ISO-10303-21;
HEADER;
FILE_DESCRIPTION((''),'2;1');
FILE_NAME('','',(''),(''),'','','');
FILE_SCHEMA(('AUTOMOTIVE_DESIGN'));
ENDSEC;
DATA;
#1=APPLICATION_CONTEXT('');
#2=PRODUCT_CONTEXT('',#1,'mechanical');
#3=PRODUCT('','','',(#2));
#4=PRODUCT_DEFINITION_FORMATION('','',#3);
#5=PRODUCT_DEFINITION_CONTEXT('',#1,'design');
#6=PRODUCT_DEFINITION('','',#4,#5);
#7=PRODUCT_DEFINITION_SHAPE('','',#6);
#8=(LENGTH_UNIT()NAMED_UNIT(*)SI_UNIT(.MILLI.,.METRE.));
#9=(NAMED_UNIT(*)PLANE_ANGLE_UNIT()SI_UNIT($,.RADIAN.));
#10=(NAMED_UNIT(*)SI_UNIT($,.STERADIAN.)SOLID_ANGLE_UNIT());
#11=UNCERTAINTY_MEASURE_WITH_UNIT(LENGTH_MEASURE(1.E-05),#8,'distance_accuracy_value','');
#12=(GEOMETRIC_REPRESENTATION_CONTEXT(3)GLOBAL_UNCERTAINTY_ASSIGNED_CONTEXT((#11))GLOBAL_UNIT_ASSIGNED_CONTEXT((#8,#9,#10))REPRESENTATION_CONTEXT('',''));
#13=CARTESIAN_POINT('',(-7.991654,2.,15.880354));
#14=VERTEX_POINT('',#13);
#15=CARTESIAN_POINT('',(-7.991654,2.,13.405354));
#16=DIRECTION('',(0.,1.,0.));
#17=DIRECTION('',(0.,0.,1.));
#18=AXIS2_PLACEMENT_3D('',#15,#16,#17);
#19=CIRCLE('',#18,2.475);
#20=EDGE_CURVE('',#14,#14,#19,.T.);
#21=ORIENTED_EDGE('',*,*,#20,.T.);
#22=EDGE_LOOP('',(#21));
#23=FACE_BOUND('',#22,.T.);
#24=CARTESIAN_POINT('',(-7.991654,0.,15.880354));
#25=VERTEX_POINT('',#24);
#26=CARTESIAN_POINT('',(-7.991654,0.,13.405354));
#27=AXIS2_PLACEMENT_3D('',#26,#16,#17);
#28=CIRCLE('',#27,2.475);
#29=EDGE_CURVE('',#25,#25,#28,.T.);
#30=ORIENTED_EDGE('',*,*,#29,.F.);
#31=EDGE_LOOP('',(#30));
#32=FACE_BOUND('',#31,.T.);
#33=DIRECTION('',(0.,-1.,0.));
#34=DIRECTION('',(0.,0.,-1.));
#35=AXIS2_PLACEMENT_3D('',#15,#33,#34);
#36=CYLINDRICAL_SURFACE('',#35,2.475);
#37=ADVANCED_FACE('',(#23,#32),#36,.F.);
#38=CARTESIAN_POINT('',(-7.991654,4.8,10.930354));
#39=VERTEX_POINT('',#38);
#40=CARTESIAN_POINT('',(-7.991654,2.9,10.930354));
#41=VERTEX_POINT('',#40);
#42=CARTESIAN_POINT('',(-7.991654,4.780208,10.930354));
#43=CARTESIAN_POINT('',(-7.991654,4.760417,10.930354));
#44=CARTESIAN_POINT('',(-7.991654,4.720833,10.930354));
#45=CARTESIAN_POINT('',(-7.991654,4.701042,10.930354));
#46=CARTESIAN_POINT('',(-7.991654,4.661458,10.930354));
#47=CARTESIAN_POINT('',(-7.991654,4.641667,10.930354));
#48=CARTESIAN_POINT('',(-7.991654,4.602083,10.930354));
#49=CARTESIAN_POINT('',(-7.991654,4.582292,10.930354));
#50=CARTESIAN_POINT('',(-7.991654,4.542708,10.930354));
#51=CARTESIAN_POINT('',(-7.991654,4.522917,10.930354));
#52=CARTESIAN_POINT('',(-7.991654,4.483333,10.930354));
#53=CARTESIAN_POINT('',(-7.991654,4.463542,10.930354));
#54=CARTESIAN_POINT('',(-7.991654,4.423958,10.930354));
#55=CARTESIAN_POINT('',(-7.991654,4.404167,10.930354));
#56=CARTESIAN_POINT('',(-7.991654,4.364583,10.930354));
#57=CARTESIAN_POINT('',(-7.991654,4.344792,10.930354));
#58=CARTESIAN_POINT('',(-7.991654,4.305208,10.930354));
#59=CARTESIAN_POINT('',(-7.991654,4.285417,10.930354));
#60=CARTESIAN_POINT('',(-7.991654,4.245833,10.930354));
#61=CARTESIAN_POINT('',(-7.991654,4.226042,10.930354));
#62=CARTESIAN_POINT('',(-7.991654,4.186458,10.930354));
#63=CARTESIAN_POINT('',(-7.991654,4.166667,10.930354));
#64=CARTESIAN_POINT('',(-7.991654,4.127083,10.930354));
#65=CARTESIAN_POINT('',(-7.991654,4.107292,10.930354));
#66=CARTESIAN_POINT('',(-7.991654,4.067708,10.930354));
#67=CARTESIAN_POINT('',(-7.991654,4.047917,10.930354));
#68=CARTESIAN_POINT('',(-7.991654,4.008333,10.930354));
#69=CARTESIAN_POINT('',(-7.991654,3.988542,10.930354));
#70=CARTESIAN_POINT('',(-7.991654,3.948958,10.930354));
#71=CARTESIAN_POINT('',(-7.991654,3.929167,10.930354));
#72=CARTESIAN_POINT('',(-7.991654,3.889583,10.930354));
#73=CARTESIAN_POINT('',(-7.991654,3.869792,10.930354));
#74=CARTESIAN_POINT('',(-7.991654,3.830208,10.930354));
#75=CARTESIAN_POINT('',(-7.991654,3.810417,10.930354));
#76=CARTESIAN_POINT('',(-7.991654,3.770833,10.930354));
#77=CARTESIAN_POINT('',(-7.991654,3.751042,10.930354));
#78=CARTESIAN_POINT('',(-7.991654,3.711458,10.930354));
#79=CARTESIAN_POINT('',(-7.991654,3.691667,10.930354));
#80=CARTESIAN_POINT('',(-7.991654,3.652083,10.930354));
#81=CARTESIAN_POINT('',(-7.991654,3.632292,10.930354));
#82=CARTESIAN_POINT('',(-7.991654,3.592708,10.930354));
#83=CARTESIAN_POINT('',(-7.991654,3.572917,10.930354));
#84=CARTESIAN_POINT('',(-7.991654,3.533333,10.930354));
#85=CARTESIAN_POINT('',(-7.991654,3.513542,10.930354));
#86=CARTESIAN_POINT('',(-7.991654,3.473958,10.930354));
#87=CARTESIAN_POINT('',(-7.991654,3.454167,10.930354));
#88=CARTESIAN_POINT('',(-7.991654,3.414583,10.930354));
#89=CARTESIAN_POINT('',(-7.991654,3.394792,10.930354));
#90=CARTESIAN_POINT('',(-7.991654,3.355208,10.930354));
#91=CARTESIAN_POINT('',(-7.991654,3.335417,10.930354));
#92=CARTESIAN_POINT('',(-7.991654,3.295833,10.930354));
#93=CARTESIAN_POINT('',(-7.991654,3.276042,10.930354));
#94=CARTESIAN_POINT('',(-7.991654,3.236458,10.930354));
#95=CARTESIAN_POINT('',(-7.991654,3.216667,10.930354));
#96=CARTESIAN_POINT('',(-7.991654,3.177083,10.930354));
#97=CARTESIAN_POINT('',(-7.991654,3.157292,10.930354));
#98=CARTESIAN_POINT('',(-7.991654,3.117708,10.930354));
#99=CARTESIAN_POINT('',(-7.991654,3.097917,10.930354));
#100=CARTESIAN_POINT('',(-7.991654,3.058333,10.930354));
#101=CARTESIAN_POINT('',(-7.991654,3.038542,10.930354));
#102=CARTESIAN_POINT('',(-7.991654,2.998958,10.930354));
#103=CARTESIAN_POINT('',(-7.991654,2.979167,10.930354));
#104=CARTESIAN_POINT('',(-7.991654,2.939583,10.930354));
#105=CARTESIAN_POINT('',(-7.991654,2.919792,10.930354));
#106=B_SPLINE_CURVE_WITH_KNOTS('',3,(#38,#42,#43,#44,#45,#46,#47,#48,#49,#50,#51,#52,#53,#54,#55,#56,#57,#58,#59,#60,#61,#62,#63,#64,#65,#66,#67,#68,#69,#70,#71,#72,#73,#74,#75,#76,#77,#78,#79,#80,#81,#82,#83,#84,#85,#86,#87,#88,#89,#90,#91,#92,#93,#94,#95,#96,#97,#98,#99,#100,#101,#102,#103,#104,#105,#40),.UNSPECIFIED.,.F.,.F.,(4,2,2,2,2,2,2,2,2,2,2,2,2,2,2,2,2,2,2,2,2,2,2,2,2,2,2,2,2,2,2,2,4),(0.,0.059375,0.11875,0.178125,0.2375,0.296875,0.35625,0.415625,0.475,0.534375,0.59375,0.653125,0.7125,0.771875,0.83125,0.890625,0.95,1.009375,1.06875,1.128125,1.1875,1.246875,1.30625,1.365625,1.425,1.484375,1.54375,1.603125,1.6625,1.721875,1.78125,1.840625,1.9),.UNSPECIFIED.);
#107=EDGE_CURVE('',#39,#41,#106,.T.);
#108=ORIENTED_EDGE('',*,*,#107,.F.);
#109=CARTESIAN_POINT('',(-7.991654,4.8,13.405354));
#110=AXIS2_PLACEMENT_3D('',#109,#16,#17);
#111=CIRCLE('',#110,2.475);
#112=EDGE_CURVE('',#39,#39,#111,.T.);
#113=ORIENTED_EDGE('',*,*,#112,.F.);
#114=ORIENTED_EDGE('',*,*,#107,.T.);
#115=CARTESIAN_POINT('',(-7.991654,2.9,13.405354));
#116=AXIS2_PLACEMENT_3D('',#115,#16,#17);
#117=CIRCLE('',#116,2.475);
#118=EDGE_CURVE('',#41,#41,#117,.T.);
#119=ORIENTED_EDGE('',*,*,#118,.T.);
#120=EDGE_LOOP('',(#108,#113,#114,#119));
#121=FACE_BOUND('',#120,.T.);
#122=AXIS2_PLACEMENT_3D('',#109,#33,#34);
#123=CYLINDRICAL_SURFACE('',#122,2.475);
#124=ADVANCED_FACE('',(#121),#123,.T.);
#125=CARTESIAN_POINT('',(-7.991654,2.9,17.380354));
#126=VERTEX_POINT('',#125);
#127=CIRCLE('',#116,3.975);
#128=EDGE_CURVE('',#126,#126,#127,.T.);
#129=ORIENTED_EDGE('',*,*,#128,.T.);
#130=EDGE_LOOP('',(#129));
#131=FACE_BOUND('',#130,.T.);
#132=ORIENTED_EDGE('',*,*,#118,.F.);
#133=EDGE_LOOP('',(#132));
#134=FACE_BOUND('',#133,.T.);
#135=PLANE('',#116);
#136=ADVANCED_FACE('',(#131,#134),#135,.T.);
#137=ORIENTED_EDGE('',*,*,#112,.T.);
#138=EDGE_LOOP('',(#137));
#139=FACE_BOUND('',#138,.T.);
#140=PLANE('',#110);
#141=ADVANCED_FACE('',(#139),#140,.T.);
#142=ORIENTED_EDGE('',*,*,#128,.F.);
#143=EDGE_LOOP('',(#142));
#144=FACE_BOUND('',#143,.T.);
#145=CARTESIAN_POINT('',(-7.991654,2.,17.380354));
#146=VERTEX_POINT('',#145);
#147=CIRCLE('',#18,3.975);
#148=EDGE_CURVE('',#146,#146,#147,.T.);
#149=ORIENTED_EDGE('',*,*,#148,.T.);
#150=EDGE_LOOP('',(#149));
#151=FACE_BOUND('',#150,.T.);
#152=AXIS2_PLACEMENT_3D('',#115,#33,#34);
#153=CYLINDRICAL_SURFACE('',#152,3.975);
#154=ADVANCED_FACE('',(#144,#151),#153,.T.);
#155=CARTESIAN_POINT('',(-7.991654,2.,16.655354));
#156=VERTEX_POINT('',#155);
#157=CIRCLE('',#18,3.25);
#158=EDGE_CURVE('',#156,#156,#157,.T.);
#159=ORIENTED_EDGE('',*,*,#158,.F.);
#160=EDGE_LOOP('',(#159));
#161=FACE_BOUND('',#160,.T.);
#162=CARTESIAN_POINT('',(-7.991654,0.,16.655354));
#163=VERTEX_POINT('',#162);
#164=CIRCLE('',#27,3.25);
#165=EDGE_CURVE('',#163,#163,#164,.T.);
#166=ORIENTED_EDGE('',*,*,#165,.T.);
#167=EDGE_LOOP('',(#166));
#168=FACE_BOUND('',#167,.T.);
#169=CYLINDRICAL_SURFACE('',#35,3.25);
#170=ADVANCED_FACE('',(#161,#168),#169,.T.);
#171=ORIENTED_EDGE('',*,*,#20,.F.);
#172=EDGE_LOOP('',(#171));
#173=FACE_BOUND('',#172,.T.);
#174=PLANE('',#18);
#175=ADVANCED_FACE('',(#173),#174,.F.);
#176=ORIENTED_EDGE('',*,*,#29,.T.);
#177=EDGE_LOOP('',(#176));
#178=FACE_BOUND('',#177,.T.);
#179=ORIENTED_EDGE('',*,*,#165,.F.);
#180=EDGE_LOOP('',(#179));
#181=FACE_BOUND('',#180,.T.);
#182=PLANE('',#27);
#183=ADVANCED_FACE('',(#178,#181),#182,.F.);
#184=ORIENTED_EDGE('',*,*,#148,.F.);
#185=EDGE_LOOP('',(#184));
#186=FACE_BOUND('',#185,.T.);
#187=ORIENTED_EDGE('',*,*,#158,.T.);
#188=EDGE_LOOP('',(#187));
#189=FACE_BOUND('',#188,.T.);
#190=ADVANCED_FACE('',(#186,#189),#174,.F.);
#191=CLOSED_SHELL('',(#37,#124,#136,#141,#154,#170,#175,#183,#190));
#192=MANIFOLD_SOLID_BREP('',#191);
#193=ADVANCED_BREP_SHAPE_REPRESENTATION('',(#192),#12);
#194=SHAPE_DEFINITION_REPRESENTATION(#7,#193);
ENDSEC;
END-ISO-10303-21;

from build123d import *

# Parameters (mm, degrees)
SKETCH1_R           = 3.25
SKETCH1_R_2         = 2.475
BOSS_EXTRUDE1_DEPTH = 2
SKETCH2_R           = 3.975
BOSS_EXTRUDE2_DEPTH = 0.9
SKETCH3_R           = 2.475
BOSS_EXTRUDE3_DEPTH = 1.9


with BuildPart() as part:
    # Sketch1 → Boss-Extrude1 (new body)
    with BuildSketch(Plane(origin=(0, 0, 0), x_dir=(1, 0, 0), z_dir=(0, 1, 0))):
        with Locations(Location((-7.991653638, -13.40535449, 0), (0, 0, 270))):
            Circle(SKETCH1_R)
        with Locations(Location((-7.991653638, -13.40535449, 0), (0, 0, 270))):
            Circle(SKETCH1_R_2, mode=Mode.SUBTRACT)
    extrude(amount=BOSS_EXTRUDE1_DEPTH)

    # Sketch2 → Boss-Extrude2 (add)
    with BuildSketch(Plane(origin=(0, 2, 0), x_dir=(1, 0, 0), z_dir=(0, 1, 0))):
        with Locations(Location((-7.991653638, -13.40535449, 0), (0, 0, 270))):
            Circle(SKETCH2_R)
    extrude(amount=BOSS_EXTRUDE2_DEPTH)

    # Sketch3 → Boss-Extrude3 (add)
    with BuildSketch(Plane(origin=(0, 2.9, 0), x_dir=(-1, 0, 0), z_dir=(0, 1, 0))):
        with Locations(Location((7.991653638, 13.40535449, 0), (0, 0, 90))):
            Circle(SKETCH3_R)
    extrude(amount=BOSS_EXTRUDE3_DEPTH)


solid = part.part
